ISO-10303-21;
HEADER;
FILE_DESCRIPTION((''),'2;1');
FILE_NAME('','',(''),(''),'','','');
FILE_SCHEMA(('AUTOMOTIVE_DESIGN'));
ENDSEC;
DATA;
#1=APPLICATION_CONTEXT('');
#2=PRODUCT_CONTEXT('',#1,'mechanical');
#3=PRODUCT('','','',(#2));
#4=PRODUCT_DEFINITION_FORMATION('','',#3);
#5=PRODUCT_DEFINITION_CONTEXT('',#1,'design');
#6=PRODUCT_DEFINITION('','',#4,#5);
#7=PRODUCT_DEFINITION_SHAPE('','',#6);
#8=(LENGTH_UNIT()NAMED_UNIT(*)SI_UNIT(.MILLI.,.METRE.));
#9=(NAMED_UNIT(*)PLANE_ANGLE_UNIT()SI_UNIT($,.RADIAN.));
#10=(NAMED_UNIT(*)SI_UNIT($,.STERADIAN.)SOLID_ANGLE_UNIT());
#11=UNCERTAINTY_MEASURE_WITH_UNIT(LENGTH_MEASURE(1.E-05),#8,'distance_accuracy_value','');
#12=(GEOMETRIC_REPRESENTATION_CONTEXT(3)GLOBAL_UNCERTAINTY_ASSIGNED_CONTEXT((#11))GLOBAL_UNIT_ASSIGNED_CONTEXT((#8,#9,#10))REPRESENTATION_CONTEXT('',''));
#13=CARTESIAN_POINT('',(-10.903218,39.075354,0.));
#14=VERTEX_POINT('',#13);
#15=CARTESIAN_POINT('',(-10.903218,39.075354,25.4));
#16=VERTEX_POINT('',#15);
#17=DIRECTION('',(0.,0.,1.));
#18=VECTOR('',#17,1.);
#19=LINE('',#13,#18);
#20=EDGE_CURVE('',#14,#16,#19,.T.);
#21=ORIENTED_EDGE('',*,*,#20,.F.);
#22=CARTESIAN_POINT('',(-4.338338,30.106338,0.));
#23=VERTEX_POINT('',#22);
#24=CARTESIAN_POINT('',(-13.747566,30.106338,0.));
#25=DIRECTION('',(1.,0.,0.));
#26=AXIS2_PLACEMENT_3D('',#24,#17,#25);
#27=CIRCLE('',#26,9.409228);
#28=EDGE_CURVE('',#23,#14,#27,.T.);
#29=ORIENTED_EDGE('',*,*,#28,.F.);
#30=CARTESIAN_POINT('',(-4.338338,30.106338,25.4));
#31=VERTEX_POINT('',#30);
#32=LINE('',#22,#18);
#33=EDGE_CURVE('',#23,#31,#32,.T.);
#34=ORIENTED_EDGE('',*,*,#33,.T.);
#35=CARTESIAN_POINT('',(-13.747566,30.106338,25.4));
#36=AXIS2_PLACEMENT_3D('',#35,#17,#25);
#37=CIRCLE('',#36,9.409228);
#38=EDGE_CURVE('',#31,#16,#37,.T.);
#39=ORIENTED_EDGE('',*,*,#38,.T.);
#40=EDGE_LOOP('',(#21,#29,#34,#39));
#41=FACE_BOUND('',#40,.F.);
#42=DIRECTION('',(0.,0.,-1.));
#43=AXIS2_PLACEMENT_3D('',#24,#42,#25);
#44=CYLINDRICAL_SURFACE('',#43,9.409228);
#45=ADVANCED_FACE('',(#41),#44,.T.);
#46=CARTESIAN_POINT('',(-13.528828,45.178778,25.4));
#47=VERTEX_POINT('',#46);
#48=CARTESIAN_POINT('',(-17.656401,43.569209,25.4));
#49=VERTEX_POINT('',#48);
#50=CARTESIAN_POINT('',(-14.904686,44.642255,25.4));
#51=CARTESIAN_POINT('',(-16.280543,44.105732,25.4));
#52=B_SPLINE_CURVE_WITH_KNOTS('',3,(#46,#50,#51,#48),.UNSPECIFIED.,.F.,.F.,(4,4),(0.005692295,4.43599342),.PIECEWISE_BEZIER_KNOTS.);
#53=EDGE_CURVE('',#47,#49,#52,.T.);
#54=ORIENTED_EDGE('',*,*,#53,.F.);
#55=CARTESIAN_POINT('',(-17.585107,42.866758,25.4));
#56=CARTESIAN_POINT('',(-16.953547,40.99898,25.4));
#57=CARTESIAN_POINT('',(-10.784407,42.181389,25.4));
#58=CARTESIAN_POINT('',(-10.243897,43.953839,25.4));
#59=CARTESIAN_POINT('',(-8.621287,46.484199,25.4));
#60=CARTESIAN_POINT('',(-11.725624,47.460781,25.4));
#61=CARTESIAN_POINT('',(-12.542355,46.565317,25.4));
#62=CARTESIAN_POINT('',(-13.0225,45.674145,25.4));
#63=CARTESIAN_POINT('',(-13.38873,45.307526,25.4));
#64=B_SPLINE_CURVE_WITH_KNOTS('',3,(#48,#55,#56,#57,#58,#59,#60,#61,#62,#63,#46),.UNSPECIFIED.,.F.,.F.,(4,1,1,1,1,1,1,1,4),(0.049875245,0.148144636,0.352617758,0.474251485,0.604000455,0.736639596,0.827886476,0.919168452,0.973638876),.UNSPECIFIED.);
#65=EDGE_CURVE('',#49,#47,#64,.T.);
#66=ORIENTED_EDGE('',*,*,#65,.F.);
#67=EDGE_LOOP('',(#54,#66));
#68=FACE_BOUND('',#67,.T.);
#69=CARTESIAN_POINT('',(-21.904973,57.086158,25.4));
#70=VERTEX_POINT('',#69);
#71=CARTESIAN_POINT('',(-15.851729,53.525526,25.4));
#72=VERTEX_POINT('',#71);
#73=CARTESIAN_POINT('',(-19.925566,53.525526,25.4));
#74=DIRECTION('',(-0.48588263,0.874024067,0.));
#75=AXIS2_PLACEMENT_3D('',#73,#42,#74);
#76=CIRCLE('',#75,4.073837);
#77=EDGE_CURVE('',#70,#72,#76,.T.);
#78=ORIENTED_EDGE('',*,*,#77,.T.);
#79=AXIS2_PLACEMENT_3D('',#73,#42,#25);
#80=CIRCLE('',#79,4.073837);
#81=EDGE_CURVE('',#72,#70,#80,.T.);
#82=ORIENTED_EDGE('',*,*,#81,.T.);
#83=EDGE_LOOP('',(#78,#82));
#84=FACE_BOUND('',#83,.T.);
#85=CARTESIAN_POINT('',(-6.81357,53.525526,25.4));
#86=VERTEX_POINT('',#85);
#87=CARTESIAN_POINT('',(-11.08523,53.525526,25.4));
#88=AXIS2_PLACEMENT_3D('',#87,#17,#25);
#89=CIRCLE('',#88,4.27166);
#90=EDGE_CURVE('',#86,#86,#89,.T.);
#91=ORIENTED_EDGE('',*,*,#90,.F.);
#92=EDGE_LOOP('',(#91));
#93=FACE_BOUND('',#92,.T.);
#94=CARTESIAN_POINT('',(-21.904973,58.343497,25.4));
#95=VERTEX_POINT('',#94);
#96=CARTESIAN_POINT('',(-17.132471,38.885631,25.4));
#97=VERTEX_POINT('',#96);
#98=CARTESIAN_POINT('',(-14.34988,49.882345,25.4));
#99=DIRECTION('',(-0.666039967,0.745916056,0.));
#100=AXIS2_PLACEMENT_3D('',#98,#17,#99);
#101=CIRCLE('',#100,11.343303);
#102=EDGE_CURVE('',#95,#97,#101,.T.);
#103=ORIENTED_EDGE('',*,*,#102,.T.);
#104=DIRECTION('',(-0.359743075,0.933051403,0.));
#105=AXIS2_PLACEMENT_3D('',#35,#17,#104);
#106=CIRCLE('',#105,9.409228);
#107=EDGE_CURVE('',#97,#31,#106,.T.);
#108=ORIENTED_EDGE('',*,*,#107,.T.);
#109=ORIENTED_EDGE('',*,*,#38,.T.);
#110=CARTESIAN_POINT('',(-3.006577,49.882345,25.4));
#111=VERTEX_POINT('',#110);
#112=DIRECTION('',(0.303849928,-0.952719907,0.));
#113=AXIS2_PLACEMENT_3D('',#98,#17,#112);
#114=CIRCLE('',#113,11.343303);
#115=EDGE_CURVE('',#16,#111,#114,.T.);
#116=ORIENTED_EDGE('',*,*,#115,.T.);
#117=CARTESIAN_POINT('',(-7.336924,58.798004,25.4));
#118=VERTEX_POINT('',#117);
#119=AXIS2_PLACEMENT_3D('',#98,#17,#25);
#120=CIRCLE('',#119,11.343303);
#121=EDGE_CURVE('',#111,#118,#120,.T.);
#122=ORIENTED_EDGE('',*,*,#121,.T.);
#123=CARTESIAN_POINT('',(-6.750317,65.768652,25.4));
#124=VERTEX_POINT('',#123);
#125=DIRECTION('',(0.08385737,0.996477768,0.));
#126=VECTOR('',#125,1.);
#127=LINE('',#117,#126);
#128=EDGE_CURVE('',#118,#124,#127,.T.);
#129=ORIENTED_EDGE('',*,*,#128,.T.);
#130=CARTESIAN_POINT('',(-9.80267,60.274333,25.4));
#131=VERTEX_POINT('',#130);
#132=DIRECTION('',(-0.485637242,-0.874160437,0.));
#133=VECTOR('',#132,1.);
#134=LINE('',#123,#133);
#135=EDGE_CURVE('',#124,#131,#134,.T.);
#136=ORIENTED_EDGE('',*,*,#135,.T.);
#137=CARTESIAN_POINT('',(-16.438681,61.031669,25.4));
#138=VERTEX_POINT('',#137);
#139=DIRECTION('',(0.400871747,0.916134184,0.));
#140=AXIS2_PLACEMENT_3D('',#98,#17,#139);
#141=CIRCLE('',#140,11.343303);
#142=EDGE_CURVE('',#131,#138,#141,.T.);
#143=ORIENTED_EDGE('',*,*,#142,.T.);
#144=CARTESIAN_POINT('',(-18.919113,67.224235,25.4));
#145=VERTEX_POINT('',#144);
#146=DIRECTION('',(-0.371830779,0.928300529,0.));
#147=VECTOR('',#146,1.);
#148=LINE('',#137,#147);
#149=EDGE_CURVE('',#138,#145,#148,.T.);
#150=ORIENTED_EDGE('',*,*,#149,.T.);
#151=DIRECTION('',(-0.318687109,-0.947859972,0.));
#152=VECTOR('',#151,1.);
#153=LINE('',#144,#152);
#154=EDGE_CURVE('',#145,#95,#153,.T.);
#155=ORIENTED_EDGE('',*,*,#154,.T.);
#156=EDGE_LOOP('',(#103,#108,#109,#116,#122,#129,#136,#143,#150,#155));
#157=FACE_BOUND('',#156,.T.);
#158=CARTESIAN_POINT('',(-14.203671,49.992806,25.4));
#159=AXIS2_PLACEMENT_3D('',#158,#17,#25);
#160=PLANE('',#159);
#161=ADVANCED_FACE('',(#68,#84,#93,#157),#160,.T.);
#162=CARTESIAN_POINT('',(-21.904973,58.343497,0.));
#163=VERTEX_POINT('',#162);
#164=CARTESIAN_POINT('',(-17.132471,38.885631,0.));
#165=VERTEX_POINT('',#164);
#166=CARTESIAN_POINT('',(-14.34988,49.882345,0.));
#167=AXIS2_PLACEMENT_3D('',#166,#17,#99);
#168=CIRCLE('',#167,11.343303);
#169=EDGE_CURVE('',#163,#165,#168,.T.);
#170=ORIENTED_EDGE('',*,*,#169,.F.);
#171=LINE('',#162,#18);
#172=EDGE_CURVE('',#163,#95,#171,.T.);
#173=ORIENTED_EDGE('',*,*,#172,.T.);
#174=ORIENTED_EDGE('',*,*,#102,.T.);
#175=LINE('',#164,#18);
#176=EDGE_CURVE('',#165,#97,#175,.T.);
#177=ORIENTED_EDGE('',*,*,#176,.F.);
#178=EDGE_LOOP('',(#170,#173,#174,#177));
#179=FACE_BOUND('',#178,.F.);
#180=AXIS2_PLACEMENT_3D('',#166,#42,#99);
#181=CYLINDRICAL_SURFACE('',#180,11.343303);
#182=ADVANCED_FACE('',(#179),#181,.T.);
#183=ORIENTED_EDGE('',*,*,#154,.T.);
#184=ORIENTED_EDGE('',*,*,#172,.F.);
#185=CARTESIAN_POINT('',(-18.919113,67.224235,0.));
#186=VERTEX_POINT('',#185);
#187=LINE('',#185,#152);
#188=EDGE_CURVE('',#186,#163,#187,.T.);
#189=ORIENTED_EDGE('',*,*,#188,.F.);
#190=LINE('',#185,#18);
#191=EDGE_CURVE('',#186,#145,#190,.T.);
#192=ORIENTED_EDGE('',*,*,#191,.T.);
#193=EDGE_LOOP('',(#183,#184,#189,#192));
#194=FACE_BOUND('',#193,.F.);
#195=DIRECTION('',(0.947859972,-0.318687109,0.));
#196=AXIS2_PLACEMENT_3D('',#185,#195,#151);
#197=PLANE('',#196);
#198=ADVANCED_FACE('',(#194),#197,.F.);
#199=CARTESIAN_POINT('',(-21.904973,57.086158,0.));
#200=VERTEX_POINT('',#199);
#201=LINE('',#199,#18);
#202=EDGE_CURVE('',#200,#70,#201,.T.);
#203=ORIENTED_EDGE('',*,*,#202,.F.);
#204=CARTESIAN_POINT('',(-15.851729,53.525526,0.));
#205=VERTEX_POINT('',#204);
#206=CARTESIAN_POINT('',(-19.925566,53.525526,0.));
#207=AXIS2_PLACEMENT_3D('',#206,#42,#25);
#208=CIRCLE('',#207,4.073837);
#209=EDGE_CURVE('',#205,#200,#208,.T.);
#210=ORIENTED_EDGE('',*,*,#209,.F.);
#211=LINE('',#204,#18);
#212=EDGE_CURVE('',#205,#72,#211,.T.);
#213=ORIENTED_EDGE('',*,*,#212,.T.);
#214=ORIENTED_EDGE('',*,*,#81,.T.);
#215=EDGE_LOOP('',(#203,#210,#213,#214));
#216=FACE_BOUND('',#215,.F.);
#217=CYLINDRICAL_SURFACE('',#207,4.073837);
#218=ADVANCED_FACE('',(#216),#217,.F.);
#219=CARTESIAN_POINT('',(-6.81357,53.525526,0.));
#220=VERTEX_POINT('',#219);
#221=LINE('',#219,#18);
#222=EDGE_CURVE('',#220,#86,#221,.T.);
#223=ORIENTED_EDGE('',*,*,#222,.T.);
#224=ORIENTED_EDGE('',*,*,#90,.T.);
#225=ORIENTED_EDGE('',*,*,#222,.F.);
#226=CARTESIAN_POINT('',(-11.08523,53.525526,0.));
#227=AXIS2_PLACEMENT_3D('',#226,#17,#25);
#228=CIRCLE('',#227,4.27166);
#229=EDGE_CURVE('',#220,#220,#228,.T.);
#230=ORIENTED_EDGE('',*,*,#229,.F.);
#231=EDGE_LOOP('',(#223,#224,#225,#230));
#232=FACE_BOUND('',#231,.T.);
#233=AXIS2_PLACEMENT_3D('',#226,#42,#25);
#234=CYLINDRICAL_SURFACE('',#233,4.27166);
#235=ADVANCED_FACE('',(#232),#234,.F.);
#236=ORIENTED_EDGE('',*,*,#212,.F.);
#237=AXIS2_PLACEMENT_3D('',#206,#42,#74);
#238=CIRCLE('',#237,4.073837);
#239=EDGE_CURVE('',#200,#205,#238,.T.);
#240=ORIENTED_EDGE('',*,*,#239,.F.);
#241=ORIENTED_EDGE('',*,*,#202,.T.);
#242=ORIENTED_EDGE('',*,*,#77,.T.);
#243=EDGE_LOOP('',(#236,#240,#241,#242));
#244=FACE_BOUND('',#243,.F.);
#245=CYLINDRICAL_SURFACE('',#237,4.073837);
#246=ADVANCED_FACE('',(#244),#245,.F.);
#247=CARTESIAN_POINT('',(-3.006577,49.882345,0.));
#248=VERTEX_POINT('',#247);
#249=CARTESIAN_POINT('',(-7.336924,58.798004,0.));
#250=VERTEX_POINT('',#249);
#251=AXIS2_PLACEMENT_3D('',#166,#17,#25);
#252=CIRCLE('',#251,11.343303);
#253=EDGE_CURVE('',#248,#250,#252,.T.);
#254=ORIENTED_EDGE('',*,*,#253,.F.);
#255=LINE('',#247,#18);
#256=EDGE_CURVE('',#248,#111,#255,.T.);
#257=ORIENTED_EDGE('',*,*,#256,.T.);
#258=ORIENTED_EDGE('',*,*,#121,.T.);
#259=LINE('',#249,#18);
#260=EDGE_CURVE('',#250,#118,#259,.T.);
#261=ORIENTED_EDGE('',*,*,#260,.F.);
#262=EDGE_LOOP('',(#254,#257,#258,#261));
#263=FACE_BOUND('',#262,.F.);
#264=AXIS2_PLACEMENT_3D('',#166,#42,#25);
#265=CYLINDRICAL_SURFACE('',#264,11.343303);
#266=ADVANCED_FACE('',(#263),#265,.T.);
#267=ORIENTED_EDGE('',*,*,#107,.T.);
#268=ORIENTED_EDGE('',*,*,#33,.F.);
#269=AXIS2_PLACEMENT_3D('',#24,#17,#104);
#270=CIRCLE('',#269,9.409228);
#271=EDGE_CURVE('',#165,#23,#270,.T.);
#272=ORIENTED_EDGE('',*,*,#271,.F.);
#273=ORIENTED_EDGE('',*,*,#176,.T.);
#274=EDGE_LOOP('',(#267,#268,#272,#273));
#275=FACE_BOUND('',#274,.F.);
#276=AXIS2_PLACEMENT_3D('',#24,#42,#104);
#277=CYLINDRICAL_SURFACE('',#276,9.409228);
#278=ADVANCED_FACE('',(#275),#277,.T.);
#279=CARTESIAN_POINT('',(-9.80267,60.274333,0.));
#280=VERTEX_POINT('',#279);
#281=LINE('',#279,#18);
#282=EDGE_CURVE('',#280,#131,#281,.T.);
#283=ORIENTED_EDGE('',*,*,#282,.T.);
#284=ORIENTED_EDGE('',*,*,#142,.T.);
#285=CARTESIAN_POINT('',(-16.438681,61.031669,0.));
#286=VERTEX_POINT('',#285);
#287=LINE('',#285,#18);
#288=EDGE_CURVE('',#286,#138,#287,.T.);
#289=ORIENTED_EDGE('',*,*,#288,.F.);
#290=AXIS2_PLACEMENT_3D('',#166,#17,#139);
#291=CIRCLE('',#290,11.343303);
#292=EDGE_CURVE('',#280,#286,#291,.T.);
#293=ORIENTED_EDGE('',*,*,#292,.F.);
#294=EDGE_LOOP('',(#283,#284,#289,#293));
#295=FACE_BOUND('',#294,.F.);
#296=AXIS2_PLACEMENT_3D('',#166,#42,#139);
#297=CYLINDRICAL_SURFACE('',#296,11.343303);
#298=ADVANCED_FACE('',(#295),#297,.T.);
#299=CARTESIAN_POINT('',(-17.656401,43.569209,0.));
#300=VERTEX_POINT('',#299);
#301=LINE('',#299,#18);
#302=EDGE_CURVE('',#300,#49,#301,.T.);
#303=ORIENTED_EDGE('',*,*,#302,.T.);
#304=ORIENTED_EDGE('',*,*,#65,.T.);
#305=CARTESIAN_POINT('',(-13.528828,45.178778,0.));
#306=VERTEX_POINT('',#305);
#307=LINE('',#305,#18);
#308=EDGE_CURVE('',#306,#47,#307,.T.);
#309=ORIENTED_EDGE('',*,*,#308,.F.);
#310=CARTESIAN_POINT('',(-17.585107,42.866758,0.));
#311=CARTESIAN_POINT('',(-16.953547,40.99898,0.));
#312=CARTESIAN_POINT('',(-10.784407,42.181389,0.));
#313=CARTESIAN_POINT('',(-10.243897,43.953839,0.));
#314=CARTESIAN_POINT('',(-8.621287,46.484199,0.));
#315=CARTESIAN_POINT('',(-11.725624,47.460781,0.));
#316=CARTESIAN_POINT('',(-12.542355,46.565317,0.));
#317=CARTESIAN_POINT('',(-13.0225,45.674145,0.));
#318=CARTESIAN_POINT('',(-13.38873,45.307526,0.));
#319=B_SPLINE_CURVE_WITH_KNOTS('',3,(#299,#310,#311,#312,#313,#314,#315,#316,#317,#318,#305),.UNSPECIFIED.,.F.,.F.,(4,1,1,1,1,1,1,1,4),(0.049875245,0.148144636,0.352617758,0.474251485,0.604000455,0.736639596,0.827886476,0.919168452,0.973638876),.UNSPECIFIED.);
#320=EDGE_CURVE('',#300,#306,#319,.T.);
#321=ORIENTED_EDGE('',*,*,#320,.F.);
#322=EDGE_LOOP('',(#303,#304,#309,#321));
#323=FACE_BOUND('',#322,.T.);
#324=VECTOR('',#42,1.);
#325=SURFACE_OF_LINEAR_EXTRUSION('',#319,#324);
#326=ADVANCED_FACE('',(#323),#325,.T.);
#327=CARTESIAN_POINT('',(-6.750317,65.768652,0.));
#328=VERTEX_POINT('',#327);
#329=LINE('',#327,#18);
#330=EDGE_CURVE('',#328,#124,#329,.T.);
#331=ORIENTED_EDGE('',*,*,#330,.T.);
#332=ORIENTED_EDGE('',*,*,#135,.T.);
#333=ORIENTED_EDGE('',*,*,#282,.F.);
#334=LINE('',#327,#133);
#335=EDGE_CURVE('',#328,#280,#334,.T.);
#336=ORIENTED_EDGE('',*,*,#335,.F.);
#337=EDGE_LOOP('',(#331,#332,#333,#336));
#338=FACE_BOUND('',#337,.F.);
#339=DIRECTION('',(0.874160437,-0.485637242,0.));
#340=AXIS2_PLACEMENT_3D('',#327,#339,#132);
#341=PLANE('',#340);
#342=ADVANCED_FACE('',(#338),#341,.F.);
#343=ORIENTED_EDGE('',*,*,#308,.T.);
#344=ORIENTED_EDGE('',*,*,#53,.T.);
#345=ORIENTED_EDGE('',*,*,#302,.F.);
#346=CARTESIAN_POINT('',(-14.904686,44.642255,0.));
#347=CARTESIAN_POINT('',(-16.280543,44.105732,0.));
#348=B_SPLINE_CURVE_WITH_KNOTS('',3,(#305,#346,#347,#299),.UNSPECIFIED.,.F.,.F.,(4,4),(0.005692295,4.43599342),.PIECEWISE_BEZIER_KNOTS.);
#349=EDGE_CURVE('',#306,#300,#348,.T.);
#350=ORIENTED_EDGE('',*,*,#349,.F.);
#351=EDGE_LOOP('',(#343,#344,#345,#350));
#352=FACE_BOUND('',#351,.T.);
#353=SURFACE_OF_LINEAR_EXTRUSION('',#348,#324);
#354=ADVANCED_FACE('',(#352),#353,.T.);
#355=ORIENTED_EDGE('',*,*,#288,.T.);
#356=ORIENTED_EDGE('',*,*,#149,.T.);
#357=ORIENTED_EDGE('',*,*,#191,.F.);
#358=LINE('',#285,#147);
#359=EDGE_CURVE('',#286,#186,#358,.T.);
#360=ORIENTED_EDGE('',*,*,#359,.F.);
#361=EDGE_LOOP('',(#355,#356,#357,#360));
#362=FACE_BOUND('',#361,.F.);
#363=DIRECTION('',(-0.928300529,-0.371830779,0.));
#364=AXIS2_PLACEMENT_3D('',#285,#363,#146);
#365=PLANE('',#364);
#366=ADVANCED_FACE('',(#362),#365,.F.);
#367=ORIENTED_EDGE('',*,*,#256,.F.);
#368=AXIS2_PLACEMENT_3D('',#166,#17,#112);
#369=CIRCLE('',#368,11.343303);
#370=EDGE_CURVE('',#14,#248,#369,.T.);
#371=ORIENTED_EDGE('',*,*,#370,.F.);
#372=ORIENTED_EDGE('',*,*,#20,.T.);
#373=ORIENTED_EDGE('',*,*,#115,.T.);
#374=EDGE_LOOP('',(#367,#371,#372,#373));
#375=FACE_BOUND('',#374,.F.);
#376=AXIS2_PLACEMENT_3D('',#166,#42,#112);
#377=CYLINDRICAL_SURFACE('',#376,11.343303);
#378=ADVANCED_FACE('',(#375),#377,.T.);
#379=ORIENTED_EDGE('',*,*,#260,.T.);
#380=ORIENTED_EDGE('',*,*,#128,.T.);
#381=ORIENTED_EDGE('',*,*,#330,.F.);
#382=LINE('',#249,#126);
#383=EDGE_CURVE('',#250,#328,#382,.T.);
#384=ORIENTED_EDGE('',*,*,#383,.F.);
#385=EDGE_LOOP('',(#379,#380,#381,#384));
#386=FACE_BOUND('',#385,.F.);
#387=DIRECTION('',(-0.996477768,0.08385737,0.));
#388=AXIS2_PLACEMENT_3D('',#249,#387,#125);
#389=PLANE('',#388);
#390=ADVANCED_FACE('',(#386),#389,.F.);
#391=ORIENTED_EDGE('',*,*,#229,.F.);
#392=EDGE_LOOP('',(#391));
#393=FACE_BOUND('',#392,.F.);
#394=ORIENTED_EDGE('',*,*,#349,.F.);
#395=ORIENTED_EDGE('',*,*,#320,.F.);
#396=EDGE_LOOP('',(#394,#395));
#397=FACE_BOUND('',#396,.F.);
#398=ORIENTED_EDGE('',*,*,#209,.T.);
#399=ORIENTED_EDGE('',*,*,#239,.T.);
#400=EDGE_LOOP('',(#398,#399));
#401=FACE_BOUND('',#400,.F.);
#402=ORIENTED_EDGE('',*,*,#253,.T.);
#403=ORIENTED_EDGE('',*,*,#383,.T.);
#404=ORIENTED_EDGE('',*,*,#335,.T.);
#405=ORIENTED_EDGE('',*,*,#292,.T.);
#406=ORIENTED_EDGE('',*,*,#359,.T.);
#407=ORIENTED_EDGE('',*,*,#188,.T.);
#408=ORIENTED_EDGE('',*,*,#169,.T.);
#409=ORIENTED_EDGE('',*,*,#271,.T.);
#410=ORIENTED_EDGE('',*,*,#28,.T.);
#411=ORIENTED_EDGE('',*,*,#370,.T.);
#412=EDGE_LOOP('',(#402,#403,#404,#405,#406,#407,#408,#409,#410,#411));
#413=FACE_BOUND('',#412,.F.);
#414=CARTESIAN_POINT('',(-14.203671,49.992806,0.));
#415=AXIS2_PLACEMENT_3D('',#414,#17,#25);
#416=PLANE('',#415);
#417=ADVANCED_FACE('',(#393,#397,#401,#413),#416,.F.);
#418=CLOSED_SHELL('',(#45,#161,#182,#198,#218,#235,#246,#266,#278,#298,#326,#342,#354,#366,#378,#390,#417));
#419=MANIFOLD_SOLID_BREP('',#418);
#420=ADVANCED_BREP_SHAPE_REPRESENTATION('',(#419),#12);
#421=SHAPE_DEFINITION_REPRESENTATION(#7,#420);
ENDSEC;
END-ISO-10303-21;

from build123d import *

# Parameters (mm, degrees)
F0_R     = 4.2716595226
F1_DEPTH = 25.4


with BuildPart() as f1:
    # F0 (on Top) → F1 (new body)
    with BuildSketch(Plane.XY):
        with BuildLine():
            ThreePointArc((-10.9032178879, 39.0753542906), (-5.1910846605, 43.1900360944), (-3.0065766643, 49.8823449016))
            ThreePointArc((-3.0065766643, 49.8823449016), (-4.1464339764, 54.8381716861), (-7.3369236625, 58.7980036742))
            ThreePointArc((-7.3369236625, 58.7980036742), (-8.5228526065, 59.6145737818), (-9.8026699948, 60.2743325659))
            ThreePointArc((-9.8026699948, 60.2743325659), (-13.0636710755, 61.1524909109), (-16.4386810378, 61.0316692151))
            ThreePointArc((-16.4386810378, 61.0316692151), (-19.3556506827, 60.0613812277), (-21.9049728752, 58.3434967593))
            ThreePointArc((-21.9049728752, 58.3434967593), (-25.3666424741, 47.1802232161), (-17.1324710859, 38.8856313537))
            ThreePointArc((-17.1324710859, 38.8856313537), (-14.0340082646, 39.511204952), (-10.9032178879, 39.0753542906))
        make_face()
        with BuildLine():
            ThreePointArc((-15.8517292987, 53.5255260112), (-21.9910405068, 50.0141212063), (-21.9049728752, 57.0861575592))
            ThreePointArc((-21.9049728752, 57.0861575592), (-17.8600920101, 57.0369308162), (-15.8517292987, 53.5255260112))
        make_face(mode=Mode.SUBTRACT)
        with BuildLine():
            add(Edge.make_bspline(
                [(-17.6564005526, 43.5692086307), (-17.5851070368, 42.8667576073), (-16.9535474713, 40.9989798958), (-10.7844070302, 42.18138916), (-10.2438965659, 43.9538393646), (-8.6212871203, 46.4841986619), (-11.7256242893, 47.4607807156), (-12.5423545781, 46.5653166922), (-13.0225004053, 45.6741453494), (-13.3887298348, 45.3075260974), (-13.5288280789, 45.1787779989)],
                knots=[0.049875245, 0.049875245, 0.049875245, 0.049875245, 0.1481446361, 0.3526177575, 0.4742514854, 0.6040004548, 0.7366395955, 0.8278864756, 0.9191684515, 0.9736388756, 0.9736388756, 0.9736388756, 0.9736388756], degree=3))
            add(Edge.make_bspline(
                [(-13.5288280789, 45.1787779989), (-14.9046855695, 44.642254876), (-16.2805430601, 44.1057317532), (-17.6564005506, 43.5692086304)],
                knots=[0.0056922948, 0.0056922948, 0.0056922948, 0.0056922948, 4.4359934202, 4.4359934202, 4.4359934202, 4.4359934202], degree=3))
        make_face(mode=Mode.SUBTRACT)
        with Locations((-11.0852297941, 53.5255260112)):
            Circle(F0_R, mode=Mode.SUBTRACT)
        with BuildLine():
            ThreePointArc((-9.8026699948, 60.2743325659), (-8.5228526065, 59.6145737818), (-7.3369236625, 58.7980036742))
            Line((-7.3369236625, 58.7980036742), (-6.7503172904, 65.7686516643))
            Line((-6.7503172904, 65.7686516643), (-9.8026699948, 60.2743325659))
        make_face()
        with BuildLine():
            ThreePointArc((-4.3383381323, 30.106337741), (-6.1549153148, 35.6637855382), (-10.9032178879, 39.0753542906))
            ThreePointArc((-10.9032178879, 39.0753542906), (-14.0045594414, 38.5442993199), (-17.1324710859, 38.8856313537))
            ThreePointArc((-17.1324710859, 38.8856313537), (-19.0712979296, 22.3480222929), (-4.3383381323, 30.106337741))
        make_face()
        with BuildLine():
            ThreePointArc((-17.1324710859, 38.8856313537), (-14.0045594414, 38.5442993199), (-10.9032178879, 39.0753542906))
            ThreePointArc((-10.9032178879, 39.0753542906), (-14.0340082646, 39.511204952), (-17.1324710859, 38.8856313537))
        make_face()
        with BuildLine():
            ThreePointArc((-21.9049728752, 58.3434967593), (-19.3556506827, 60.0613812277), (-16.4386810378, 61.0316692151))
            Line((-16.4386810378, 61.0316692151), (-18.9191132756, 67.2242349982))
            Line((-18.9191132756, 67.2242349982), (-21.9049728752, 58.3434967593))
        make_face()
    extrude(amount=F1_DEPTH)


solid = f1.part
